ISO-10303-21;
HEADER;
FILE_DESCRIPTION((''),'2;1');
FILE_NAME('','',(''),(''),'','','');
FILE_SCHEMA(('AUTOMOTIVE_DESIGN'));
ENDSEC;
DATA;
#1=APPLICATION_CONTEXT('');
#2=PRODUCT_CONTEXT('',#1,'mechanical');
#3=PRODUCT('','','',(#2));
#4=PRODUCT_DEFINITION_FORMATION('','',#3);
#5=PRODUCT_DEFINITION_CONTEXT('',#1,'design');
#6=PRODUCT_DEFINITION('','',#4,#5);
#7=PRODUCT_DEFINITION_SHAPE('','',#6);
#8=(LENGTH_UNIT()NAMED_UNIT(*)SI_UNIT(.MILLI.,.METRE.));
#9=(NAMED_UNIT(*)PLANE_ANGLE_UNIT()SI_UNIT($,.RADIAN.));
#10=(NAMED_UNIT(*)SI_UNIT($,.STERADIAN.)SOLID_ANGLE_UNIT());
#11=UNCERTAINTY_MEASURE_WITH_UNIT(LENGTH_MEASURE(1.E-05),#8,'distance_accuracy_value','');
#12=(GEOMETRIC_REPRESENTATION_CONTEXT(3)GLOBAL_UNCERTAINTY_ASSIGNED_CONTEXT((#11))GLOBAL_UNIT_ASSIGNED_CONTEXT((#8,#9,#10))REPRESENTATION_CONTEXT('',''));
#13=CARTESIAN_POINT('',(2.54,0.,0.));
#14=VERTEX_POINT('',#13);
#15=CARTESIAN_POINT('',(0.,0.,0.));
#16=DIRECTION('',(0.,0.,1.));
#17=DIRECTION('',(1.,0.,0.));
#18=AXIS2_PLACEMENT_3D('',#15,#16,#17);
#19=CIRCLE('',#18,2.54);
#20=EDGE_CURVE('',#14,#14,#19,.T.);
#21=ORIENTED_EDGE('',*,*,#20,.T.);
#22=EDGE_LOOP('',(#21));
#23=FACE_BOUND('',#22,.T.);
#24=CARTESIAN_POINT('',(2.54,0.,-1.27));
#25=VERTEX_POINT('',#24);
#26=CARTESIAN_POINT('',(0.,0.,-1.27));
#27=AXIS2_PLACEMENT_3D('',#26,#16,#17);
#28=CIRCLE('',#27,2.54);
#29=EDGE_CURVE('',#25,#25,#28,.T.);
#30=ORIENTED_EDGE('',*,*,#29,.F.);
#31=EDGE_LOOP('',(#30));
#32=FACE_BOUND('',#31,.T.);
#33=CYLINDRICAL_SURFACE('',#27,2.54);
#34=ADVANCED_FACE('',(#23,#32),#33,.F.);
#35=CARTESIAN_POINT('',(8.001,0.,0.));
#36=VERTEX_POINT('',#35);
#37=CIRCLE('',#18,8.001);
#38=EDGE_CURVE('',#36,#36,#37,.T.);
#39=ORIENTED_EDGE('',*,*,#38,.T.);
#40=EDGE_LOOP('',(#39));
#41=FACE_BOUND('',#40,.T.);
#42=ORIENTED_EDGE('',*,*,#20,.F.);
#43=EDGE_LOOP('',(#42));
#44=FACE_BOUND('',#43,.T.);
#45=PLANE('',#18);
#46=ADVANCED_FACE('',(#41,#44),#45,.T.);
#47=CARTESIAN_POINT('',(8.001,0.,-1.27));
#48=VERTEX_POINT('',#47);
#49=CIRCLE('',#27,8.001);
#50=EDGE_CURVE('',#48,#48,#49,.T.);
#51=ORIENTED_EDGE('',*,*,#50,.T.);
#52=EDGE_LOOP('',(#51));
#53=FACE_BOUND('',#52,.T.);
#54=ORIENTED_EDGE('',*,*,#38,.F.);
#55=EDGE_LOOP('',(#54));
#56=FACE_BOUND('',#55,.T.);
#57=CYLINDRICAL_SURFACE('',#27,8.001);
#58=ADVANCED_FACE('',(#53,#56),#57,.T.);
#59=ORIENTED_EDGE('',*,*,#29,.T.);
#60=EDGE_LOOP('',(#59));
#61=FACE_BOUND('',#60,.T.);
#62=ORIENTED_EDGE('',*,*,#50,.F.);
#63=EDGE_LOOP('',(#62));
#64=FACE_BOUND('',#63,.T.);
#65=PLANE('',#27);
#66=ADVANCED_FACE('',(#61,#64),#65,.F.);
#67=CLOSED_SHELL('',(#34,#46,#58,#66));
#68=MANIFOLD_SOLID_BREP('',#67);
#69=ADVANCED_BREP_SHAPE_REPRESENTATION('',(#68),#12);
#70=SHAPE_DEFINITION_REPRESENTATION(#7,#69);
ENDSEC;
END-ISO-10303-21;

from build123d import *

# Parameters (mm, degrees)
SKETCH1_R      = 8.001
SKETCH1_R_2    = 2.54
EXTRUDE1_DEPTH = 1.27


with BuildPart() as part:
    # Sketch1 → Extrude1 (new body)
    with BuildSketch(Plane.XY):
        Circle(SKETCH1_R)
        Circle(SKETCH1_R_2, mode=Mode.SUBTRACT)
    extrude(amount=-EXTRUDE1_DEPTH)


solid = part.part
